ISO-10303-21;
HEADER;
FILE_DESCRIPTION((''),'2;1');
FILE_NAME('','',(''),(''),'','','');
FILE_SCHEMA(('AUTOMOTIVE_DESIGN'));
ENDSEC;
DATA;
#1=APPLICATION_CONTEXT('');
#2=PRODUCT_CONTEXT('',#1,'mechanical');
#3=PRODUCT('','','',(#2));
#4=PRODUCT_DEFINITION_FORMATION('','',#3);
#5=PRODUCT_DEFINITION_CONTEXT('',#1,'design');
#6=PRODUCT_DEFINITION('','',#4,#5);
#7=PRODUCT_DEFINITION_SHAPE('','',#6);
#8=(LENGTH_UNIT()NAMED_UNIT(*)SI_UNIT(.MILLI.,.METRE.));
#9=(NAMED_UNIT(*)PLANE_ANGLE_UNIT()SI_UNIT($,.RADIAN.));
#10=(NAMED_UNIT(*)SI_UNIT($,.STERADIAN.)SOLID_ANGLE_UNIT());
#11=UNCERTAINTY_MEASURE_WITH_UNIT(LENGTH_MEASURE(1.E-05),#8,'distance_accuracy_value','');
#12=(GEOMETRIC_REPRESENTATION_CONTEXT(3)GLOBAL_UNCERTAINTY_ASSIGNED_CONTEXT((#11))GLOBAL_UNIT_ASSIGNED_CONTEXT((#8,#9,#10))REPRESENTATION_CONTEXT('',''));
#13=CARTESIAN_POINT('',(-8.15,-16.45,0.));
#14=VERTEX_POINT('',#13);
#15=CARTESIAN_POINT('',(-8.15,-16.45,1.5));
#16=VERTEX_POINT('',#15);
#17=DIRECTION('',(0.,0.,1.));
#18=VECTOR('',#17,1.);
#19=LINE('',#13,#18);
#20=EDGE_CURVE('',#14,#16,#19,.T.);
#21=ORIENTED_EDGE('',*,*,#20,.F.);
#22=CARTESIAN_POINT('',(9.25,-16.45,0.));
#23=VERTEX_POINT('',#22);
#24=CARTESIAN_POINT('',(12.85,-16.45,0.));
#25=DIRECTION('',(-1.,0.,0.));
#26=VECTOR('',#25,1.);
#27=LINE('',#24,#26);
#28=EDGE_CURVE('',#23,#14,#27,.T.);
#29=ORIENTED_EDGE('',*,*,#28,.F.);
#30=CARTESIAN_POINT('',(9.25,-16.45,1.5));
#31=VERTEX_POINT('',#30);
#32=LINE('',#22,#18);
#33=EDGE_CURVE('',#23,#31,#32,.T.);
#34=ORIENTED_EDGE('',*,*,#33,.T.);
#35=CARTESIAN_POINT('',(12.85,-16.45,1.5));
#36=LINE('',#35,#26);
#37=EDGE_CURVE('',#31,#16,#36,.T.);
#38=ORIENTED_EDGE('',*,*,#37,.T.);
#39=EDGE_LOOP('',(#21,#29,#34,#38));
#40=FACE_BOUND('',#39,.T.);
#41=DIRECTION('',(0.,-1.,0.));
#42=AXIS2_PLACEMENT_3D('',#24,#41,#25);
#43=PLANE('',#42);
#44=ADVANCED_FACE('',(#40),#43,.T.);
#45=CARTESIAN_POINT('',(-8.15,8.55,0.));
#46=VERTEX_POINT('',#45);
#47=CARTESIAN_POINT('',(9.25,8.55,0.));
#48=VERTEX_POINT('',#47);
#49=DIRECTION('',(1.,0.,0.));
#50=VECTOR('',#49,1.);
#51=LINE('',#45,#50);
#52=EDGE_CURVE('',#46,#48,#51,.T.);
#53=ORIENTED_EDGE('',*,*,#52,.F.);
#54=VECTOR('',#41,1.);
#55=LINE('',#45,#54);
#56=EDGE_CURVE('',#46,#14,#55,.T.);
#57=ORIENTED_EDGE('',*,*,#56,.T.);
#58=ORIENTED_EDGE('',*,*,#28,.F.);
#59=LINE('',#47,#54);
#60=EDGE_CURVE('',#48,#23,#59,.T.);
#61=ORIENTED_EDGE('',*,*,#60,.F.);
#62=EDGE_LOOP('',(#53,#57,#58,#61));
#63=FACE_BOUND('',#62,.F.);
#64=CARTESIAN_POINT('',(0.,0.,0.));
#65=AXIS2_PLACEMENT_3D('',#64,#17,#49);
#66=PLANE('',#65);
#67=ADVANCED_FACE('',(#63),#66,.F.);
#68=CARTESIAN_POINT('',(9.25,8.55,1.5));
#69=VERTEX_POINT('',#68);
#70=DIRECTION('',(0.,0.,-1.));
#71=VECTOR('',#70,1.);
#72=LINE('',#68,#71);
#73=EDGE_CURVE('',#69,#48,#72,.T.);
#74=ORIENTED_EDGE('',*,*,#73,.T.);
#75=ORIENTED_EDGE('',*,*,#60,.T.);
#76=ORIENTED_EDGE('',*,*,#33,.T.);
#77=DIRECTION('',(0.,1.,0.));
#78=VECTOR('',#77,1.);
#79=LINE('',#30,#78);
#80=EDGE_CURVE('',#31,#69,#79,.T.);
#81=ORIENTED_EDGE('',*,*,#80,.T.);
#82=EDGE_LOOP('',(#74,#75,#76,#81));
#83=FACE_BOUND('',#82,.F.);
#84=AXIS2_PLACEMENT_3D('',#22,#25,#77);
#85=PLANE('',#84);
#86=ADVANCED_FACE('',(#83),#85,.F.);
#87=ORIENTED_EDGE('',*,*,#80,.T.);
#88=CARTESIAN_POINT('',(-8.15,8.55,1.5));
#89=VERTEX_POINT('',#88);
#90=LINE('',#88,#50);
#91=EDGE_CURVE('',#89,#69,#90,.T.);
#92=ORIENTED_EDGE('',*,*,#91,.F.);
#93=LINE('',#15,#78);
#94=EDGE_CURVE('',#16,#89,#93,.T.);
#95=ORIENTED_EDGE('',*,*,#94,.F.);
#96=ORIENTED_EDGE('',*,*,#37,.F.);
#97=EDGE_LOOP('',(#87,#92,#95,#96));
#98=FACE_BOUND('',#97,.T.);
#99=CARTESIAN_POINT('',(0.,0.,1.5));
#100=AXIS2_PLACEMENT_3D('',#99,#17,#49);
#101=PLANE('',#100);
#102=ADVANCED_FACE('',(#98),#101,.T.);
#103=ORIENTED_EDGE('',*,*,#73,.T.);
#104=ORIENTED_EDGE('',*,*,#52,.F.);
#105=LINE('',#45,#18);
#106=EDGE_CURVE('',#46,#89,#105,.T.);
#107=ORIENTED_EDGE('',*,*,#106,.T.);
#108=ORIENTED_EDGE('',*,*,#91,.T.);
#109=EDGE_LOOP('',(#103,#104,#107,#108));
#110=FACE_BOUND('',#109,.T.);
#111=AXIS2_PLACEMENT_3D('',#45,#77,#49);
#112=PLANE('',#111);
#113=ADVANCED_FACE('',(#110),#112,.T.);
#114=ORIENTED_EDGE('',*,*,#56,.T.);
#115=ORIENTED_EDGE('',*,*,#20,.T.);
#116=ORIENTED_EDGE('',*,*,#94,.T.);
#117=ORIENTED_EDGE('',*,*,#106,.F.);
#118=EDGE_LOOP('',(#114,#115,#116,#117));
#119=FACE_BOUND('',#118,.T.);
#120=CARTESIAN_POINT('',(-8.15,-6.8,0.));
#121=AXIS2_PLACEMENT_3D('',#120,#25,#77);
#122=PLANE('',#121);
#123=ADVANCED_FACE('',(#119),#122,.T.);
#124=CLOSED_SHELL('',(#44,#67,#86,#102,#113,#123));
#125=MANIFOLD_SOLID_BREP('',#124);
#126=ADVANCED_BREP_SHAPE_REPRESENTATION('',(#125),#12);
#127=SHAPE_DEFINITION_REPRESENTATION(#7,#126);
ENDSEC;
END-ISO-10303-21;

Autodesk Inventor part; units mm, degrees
ref_plane "YZ Plane" through (0, 0, 0) normal (1, 0, 0) x (0, 1, 0)
ref_plane "XZ Plane" through (0, 0, 0) normal (0, 1, 0) x (-1, 0, 0)
ref_plane "XY Plane" through (0, 0, 0) normal (0, 0, 1) x (1, 0, 0)
sketch "Skizze1" plane through (0, 0, 0) normal (0, 0, 1) x (1, 0, 0)
  line L0 (-9.25, -6.8) -> (-9.25, 6.8) projected
  line L1 (9.25, -6.8) -> (-9.25, -6.8) projected
  line L2 (9.25, 6.8) -> (9.25, -6.8) projected
  line L3 (-9.25, 6.8) -> (9.25, 6.8) projected
  line L4 (12.85, -16.45) -> (-8.15, -16.45)
  line L5 (-8.15, -16.45) -> (-8.15, 8.55)
  line L6 (-8.15, 8.55) -> (12.85, 8.55)
  line L7 (12.85, 8.55) -> (12.85, -16.45)
  point P0 (0, 0)
  dimension "d0" = 21
  dimension "d1" = 25
  dimension "d2" = 3.6
  dimension "d6" = 1.75
extrude "Extrusion1" add sketch "Skizze1" along normal blind 1.5 contours L5 L3 L2 L1 | L1 L2 L3 L5 L6 L7 L4
sketch "Skizze2" plane through (0, 0, 1.5) normal (0, 0, 1) x (1, 0, 0)
  line L0 (9.25, -6.8) -> (-9.25, -6.8) projected
  line L1 (-8.15, -16.45) -> (12.85, -16.45) projected
  line L2 (12.85, -16.45) -> (12.85, 8.55) projected
  line L3 (12.85, 8.55) -> (-8.15, 8.55) projected
  line L4 (-8.15, 8.55) -> (-8.15, -16.45) projected
  line L5 (9.25, 6.8) -> (9.25, -6.8) projected
  line L6 (12.85, -16.45) -> (12.85, 8.55) projected
  line L7 (12.85, 8.55) -> (9.25, 8.55)
  line L8 (9.25, 8.55) -> (9.25, -6.8)
  line L9 (9.25, -6.8) -> (12.85, -6.8)
  line L10 (12.85, -6.8) -> (12.85, 8.55)
  point P0 (0, 0)
extrude "Extrusion2" cut sketch "Skizze2" against normal blind 10 contours L5 L8 L3 L2 L9
sketch "Skizze3" plane through (0, 0, 0) normal (0, 0, -1) x (-1, 0, 0)
  line L0 (-9.25, 8.55) -> (-9.25, -6.8) projected
  line L1 (-9.25, -6.8) -> (-12.85, -6.8) projected
  line L2 (-12.85, -16.45) -> (-12.85, -6.8) projected
  line L3 (8.15, -16.45) -> (-12.85, -16.45) projected
  line L4 (8.15, 8.55) -> (8.15, -16.45) projected
  line L5 (-9.25, 8.55) -> (8.15, 8.55) projected
  line L6 (-12.85, -16.45) -> (-9.25, -16.45)
  line L7 (-9.25, -16.45) -> (-9.25, -6.8)
  line L8 (-9.25, -6.8) -> (-12.85, -6.8)
  line L9 (-12.85, -6.8) -> (-12.85, -16.45)
  point P0 (0, 0)
extrude "Extrusion3" cut sketch "Skizze3" against normal blind 10 contours L7 L3 L2 L1
properties part number "00_Huawei_P30_Lens_Adapterpcb"
